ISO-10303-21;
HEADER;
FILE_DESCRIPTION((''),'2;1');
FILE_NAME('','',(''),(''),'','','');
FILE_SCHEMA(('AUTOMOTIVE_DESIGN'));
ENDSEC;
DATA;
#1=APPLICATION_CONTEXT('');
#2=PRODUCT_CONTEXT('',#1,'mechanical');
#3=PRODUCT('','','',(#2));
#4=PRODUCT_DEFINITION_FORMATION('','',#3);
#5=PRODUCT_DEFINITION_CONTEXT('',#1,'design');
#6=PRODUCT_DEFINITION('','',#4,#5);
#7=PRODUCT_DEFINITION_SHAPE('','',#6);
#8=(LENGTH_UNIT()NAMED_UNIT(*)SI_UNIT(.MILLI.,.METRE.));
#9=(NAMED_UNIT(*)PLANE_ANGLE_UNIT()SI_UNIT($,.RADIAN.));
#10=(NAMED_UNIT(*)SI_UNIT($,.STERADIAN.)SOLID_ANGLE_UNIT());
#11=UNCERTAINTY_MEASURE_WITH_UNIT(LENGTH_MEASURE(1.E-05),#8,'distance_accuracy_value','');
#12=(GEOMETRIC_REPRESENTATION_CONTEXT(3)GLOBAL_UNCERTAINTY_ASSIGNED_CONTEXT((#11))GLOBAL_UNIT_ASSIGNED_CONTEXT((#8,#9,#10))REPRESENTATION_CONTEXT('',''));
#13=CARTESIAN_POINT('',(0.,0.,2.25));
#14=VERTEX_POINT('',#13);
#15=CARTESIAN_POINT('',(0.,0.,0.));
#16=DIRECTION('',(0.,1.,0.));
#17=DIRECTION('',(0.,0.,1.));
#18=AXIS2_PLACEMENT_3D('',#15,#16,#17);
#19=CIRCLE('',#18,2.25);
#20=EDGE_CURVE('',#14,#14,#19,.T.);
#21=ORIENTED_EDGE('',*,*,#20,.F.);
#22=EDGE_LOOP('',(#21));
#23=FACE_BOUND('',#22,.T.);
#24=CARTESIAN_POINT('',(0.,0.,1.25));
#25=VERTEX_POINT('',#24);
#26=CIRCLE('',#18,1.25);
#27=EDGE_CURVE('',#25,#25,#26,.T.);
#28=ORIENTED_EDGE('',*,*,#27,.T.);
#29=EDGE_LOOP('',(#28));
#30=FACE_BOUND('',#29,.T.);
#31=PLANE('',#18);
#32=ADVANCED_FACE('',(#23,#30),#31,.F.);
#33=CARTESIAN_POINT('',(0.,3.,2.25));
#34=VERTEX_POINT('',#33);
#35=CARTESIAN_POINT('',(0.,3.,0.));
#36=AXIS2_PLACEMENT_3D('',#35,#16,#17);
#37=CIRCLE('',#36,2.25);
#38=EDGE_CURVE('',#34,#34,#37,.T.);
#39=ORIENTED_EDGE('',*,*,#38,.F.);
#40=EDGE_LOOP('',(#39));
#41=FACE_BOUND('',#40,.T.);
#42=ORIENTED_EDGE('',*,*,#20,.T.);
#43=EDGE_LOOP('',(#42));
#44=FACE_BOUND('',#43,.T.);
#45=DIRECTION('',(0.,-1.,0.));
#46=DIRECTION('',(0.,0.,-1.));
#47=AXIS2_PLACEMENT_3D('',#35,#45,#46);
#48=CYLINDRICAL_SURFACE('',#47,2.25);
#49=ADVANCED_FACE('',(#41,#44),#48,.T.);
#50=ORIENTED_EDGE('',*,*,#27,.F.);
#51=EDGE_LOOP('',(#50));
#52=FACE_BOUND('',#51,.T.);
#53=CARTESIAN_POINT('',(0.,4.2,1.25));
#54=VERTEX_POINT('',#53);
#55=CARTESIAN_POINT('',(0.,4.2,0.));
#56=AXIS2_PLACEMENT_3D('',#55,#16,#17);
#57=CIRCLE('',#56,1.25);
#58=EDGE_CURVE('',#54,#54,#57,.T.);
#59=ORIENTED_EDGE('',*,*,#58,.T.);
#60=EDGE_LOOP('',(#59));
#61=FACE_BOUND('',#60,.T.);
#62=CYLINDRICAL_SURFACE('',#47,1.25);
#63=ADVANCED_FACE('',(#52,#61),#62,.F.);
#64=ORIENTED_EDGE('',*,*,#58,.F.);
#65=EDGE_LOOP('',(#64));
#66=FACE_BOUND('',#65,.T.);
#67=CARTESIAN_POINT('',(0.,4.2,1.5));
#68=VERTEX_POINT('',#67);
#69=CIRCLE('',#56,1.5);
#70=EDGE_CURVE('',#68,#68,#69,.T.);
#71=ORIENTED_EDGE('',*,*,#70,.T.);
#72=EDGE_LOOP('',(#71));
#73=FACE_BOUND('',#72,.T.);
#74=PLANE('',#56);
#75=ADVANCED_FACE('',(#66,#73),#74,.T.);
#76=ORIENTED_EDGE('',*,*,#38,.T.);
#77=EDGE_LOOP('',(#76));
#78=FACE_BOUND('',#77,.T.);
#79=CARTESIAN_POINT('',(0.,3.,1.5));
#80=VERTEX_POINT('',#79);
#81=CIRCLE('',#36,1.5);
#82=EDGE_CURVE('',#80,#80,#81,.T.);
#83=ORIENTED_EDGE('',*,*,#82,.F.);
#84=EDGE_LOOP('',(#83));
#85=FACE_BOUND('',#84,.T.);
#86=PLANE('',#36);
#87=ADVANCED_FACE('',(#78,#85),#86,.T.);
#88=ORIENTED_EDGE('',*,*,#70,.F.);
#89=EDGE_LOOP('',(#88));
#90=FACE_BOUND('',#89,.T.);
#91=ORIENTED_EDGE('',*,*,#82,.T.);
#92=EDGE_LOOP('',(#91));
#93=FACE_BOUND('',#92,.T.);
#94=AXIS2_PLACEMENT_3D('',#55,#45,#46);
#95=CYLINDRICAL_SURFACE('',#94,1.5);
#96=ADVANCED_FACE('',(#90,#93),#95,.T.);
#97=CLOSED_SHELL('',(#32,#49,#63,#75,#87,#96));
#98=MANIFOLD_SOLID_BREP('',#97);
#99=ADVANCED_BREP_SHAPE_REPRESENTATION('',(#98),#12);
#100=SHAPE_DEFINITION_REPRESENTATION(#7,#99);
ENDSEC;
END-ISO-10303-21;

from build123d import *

# Parameters (mm, degrees)
SKETCH_1_R      = 2.25
SKETCH_1_R_2    = 1.25
EXTRUDE_1_DEPTH = 3
SKETCH_2_R      = 1.5
SKETCH_2_R_2    = 1.25
EXTRUDE_2_DEPTH = 1.2


with BuildPart() as part:
    # 草图1 → 凸台-拉伸1 (new body)
    with BuildSketch(Plane(origin=(0, 0, 0), x_dir=(1, 0, 0), z_dir=(0, 1, 0))):
        with Locations(Location((0, 0, 0), (0, 0, 270))):
            Circle(SKETCH_1_R)
        with Locations(Location((0, 0, 0), (0, 0, 270))):
            Circle(SKETCH_1_R_2, mode=Mode.SUBTRACT)
    extrude(amount=EXTRUDE_1_DEPTH)

    # 草图2 → 凸台-拉伸2 (add)
    with BuildSketch(Plane(origin=(0, 3, 0), x_dir=(1, 0, 0), z_dir=(0, 1, 0))):
        with Locations(Location((0, 0, 0), (0, 0, 270))):
            Circle(SKETCH_2_R)
        with Locations(Location((0, 0, 0), (0, 0, 270))):
            Circle(SKETCH_2_R_2, mode=Mode.SUBTRACT)
    extrude(amount=EXTRUDE_2_DEPTH)


solid = part.part
